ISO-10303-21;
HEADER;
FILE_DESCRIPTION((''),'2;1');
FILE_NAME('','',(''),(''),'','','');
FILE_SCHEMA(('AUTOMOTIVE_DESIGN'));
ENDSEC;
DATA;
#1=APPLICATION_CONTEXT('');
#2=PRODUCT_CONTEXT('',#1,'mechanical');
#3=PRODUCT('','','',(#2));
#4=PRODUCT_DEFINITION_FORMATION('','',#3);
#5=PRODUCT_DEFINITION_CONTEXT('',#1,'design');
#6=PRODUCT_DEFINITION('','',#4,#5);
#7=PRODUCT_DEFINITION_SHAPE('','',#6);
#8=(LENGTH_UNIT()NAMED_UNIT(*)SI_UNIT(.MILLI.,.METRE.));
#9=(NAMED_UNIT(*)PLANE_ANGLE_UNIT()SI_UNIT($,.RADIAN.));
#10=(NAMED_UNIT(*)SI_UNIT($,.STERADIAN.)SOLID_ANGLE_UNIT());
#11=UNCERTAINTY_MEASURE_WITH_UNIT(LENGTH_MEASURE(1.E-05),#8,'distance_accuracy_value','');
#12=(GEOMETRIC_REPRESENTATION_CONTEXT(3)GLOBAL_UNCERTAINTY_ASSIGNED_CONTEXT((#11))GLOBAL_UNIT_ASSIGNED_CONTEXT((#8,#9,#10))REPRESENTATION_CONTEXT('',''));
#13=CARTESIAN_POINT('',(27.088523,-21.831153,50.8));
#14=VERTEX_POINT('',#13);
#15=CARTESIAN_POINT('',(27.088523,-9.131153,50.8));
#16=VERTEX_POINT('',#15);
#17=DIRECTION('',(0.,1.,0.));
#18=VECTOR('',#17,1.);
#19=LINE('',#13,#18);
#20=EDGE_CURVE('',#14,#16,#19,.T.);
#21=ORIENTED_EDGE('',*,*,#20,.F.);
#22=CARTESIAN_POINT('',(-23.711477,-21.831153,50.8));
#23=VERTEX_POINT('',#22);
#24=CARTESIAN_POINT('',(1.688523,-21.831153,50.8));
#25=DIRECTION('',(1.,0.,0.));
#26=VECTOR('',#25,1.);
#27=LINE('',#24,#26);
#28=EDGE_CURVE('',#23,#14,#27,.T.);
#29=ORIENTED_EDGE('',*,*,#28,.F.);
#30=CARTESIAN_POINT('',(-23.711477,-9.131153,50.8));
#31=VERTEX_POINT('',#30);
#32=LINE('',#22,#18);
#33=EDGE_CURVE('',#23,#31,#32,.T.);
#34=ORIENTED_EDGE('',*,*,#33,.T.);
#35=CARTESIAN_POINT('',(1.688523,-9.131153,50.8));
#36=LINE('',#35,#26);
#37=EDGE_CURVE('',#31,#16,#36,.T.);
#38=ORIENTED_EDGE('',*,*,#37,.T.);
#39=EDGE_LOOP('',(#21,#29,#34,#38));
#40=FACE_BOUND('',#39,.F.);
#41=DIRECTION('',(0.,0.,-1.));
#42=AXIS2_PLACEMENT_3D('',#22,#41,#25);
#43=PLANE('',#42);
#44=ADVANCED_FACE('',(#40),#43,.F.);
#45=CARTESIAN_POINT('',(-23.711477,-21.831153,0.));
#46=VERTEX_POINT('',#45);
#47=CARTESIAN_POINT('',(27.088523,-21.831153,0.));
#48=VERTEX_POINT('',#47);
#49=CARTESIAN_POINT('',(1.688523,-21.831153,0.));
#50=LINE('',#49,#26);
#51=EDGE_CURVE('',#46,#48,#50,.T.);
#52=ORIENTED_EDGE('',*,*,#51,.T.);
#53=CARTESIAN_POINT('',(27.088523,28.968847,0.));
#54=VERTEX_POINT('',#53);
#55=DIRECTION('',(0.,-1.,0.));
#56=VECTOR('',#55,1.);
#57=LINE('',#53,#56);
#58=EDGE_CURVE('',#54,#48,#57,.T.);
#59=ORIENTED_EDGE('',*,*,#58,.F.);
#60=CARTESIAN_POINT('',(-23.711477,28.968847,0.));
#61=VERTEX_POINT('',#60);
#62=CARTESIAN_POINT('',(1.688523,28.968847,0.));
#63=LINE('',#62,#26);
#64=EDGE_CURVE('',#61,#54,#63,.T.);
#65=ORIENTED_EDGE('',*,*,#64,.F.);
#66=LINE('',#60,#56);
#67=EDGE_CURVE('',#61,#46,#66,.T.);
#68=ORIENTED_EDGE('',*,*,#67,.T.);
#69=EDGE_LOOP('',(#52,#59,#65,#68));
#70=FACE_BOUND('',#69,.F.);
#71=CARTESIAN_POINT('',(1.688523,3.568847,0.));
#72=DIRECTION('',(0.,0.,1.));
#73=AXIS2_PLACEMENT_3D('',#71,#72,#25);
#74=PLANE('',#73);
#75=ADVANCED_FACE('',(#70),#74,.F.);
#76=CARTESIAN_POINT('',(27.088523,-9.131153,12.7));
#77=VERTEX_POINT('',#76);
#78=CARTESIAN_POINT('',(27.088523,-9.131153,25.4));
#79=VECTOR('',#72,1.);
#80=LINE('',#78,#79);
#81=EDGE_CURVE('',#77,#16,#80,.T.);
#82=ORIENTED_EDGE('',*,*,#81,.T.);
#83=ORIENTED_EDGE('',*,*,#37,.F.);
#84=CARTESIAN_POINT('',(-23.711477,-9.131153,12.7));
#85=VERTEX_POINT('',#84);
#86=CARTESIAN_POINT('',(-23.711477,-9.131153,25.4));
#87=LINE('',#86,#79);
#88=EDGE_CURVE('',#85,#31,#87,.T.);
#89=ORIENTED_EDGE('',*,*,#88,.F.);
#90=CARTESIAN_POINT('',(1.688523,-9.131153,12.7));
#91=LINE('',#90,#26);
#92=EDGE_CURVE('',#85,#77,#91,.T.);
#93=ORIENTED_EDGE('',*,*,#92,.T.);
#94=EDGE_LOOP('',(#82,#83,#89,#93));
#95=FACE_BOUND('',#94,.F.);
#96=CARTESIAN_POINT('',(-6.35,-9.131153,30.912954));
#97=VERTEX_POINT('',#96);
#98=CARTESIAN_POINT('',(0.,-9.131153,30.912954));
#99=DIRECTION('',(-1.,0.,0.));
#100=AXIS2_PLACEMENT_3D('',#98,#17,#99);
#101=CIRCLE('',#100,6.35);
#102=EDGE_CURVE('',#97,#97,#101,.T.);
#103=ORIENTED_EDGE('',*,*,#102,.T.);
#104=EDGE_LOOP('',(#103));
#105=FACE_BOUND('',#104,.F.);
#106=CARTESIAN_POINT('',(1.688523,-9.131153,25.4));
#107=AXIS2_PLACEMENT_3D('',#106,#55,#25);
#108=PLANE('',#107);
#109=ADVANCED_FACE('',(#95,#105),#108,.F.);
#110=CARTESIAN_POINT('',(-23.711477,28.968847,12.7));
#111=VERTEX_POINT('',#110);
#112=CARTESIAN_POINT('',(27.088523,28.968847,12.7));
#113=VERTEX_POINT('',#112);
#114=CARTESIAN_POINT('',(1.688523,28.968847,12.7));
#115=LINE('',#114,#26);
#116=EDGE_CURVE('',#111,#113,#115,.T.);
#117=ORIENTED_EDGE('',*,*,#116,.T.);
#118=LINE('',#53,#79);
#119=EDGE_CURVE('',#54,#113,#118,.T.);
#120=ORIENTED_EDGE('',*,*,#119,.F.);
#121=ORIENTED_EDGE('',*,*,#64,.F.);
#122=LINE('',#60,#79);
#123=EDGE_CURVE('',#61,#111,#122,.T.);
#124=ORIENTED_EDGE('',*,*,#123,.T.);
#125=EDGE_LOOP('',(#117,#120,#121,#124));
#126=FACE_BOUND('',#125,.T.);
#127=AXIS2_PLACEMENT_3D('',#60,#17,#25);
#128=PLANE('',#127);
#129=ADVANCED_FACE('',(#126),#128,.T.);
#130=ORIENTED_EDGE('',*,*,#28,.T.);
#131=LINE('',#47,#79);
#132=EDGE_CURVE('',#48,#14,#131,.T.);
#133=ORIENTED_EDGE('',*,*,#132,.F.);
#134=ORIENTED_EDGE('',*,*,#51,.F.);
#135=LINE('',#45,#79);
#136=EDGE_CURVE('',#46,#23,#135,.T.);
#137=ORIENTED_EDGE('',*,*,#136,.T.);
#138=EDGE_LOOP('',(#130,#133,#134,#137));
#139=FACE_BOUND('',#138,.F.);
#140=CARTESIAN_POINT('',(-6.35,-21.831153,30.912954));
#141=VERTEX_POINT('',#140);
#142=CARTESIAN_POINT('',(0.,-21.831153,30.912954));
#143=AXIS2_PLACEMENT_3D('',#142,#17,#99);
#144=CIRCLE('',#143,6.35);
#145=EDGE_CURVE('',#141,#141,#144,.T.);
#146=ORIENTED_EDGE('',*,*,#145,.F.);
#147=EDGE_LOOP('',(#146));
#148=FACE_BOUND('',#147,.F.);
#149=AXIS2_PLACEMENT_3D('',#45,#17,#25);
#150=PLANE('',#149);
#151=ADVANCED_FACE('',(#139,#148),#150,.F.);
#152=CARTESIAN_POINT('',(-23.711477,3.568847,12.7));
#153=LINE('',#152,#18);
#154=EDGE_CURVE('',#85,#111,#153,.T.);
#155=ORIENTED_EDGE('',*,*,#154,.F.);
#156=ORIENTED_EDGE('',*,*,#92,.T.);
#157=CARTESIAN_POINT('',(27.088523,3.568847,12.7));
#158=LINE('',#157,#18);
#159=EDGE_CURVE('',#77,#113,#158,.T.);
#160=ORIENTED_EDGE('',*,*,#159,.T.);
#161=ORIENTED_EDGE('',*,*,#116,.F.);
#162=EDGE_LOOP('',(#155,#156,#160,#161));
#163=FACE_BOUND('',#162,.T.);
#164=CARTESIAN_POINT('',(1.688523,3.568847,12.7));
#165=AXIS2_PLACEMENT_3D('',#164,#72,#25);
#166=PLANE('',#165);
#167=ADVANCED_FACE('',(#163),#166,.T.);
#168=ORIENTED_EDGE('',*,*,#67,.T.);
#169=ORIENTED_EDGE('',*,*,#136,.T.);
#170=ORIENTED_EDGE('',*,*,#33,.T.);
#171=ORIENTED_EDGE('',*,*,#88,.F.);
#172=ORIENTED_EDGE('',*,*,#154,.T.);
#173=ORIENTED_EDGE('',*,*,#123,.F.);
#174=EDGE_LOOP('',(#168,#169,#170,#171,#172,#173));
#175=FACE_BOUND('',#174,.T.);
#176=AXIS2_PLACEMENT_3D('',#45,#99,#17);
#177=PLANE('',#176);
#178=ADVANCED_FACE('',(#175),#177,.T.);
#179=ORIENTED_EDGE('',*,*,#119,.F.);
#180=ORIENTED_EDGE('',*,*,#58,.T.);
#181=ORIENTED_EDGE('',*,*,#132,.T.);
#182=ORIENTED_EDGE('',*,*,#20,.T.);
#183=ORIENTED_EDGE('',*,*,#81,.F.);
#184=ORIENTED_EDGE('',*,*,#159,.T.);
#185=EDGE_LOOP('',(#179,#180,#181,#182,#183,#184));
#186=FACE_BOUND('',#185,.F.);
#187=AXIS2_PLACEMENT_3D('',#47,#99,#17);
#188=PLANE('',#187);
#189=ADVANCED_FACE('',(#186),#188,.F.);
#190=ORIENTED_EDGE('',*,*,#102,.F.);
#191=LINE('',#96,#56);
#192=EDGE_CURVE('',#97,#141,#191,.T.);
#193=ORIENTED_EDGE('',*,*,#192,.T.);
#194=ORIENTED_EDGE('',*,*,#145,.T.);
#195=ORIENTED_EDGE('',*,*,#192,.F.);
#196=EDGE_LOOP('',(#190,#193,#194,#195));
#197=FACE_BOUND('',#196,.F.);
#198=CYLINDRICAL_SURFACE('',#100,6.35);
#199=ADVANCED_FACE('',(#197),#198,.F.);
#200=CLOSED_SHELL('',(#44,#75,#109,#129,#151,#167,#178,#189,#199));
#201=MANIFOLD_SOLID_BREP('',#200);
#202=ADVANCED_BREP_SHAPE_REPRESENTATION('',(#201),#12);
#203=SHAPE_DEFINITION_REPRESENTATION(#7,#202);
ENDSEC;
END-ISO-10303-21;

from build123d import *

# Parameters (mm, degrees)
F0_W     = 50.8
F0_H     = 50.8
F1_DEPTH = 12.7
F2_W     = 50.8
F2_H     = 50.8
F3_DEPTH = 12.7
F4_R     = 6.35
F5_DEPTH = 15.24


with BuildPart() as f1:
    # F0 (on Top) → F1 (new body)
    with BuildSketch(Plane.XY):
        with Locations((1.688523, 3.568847)):
            Rectangle(F0_W, F0_H)
    extrude(amount=F1_DEPTH)

    # F2 (on face) → F3 (join)
    with BuildSketch(Plane.XZ.offset(21.831153)):
        with Locations((1.688523, 25.4)):
            Rectangle(F2_W, F2_H)
    extrude(amount=-F3_DEPTH)

    # F4 (on face) → F5 (cut)
    with BuildSketch(Plane(origin=(0, -9.131153, 0), x_dir=(-1, 0, 0), z_dir=(0, 1, 0))):
        with Locations((0, 30.912954)):
            Circle(F4_R)
    extrude(amount=-F5_DEPTH, mode=Mode.SUBTRACT)


solid = f1.part
